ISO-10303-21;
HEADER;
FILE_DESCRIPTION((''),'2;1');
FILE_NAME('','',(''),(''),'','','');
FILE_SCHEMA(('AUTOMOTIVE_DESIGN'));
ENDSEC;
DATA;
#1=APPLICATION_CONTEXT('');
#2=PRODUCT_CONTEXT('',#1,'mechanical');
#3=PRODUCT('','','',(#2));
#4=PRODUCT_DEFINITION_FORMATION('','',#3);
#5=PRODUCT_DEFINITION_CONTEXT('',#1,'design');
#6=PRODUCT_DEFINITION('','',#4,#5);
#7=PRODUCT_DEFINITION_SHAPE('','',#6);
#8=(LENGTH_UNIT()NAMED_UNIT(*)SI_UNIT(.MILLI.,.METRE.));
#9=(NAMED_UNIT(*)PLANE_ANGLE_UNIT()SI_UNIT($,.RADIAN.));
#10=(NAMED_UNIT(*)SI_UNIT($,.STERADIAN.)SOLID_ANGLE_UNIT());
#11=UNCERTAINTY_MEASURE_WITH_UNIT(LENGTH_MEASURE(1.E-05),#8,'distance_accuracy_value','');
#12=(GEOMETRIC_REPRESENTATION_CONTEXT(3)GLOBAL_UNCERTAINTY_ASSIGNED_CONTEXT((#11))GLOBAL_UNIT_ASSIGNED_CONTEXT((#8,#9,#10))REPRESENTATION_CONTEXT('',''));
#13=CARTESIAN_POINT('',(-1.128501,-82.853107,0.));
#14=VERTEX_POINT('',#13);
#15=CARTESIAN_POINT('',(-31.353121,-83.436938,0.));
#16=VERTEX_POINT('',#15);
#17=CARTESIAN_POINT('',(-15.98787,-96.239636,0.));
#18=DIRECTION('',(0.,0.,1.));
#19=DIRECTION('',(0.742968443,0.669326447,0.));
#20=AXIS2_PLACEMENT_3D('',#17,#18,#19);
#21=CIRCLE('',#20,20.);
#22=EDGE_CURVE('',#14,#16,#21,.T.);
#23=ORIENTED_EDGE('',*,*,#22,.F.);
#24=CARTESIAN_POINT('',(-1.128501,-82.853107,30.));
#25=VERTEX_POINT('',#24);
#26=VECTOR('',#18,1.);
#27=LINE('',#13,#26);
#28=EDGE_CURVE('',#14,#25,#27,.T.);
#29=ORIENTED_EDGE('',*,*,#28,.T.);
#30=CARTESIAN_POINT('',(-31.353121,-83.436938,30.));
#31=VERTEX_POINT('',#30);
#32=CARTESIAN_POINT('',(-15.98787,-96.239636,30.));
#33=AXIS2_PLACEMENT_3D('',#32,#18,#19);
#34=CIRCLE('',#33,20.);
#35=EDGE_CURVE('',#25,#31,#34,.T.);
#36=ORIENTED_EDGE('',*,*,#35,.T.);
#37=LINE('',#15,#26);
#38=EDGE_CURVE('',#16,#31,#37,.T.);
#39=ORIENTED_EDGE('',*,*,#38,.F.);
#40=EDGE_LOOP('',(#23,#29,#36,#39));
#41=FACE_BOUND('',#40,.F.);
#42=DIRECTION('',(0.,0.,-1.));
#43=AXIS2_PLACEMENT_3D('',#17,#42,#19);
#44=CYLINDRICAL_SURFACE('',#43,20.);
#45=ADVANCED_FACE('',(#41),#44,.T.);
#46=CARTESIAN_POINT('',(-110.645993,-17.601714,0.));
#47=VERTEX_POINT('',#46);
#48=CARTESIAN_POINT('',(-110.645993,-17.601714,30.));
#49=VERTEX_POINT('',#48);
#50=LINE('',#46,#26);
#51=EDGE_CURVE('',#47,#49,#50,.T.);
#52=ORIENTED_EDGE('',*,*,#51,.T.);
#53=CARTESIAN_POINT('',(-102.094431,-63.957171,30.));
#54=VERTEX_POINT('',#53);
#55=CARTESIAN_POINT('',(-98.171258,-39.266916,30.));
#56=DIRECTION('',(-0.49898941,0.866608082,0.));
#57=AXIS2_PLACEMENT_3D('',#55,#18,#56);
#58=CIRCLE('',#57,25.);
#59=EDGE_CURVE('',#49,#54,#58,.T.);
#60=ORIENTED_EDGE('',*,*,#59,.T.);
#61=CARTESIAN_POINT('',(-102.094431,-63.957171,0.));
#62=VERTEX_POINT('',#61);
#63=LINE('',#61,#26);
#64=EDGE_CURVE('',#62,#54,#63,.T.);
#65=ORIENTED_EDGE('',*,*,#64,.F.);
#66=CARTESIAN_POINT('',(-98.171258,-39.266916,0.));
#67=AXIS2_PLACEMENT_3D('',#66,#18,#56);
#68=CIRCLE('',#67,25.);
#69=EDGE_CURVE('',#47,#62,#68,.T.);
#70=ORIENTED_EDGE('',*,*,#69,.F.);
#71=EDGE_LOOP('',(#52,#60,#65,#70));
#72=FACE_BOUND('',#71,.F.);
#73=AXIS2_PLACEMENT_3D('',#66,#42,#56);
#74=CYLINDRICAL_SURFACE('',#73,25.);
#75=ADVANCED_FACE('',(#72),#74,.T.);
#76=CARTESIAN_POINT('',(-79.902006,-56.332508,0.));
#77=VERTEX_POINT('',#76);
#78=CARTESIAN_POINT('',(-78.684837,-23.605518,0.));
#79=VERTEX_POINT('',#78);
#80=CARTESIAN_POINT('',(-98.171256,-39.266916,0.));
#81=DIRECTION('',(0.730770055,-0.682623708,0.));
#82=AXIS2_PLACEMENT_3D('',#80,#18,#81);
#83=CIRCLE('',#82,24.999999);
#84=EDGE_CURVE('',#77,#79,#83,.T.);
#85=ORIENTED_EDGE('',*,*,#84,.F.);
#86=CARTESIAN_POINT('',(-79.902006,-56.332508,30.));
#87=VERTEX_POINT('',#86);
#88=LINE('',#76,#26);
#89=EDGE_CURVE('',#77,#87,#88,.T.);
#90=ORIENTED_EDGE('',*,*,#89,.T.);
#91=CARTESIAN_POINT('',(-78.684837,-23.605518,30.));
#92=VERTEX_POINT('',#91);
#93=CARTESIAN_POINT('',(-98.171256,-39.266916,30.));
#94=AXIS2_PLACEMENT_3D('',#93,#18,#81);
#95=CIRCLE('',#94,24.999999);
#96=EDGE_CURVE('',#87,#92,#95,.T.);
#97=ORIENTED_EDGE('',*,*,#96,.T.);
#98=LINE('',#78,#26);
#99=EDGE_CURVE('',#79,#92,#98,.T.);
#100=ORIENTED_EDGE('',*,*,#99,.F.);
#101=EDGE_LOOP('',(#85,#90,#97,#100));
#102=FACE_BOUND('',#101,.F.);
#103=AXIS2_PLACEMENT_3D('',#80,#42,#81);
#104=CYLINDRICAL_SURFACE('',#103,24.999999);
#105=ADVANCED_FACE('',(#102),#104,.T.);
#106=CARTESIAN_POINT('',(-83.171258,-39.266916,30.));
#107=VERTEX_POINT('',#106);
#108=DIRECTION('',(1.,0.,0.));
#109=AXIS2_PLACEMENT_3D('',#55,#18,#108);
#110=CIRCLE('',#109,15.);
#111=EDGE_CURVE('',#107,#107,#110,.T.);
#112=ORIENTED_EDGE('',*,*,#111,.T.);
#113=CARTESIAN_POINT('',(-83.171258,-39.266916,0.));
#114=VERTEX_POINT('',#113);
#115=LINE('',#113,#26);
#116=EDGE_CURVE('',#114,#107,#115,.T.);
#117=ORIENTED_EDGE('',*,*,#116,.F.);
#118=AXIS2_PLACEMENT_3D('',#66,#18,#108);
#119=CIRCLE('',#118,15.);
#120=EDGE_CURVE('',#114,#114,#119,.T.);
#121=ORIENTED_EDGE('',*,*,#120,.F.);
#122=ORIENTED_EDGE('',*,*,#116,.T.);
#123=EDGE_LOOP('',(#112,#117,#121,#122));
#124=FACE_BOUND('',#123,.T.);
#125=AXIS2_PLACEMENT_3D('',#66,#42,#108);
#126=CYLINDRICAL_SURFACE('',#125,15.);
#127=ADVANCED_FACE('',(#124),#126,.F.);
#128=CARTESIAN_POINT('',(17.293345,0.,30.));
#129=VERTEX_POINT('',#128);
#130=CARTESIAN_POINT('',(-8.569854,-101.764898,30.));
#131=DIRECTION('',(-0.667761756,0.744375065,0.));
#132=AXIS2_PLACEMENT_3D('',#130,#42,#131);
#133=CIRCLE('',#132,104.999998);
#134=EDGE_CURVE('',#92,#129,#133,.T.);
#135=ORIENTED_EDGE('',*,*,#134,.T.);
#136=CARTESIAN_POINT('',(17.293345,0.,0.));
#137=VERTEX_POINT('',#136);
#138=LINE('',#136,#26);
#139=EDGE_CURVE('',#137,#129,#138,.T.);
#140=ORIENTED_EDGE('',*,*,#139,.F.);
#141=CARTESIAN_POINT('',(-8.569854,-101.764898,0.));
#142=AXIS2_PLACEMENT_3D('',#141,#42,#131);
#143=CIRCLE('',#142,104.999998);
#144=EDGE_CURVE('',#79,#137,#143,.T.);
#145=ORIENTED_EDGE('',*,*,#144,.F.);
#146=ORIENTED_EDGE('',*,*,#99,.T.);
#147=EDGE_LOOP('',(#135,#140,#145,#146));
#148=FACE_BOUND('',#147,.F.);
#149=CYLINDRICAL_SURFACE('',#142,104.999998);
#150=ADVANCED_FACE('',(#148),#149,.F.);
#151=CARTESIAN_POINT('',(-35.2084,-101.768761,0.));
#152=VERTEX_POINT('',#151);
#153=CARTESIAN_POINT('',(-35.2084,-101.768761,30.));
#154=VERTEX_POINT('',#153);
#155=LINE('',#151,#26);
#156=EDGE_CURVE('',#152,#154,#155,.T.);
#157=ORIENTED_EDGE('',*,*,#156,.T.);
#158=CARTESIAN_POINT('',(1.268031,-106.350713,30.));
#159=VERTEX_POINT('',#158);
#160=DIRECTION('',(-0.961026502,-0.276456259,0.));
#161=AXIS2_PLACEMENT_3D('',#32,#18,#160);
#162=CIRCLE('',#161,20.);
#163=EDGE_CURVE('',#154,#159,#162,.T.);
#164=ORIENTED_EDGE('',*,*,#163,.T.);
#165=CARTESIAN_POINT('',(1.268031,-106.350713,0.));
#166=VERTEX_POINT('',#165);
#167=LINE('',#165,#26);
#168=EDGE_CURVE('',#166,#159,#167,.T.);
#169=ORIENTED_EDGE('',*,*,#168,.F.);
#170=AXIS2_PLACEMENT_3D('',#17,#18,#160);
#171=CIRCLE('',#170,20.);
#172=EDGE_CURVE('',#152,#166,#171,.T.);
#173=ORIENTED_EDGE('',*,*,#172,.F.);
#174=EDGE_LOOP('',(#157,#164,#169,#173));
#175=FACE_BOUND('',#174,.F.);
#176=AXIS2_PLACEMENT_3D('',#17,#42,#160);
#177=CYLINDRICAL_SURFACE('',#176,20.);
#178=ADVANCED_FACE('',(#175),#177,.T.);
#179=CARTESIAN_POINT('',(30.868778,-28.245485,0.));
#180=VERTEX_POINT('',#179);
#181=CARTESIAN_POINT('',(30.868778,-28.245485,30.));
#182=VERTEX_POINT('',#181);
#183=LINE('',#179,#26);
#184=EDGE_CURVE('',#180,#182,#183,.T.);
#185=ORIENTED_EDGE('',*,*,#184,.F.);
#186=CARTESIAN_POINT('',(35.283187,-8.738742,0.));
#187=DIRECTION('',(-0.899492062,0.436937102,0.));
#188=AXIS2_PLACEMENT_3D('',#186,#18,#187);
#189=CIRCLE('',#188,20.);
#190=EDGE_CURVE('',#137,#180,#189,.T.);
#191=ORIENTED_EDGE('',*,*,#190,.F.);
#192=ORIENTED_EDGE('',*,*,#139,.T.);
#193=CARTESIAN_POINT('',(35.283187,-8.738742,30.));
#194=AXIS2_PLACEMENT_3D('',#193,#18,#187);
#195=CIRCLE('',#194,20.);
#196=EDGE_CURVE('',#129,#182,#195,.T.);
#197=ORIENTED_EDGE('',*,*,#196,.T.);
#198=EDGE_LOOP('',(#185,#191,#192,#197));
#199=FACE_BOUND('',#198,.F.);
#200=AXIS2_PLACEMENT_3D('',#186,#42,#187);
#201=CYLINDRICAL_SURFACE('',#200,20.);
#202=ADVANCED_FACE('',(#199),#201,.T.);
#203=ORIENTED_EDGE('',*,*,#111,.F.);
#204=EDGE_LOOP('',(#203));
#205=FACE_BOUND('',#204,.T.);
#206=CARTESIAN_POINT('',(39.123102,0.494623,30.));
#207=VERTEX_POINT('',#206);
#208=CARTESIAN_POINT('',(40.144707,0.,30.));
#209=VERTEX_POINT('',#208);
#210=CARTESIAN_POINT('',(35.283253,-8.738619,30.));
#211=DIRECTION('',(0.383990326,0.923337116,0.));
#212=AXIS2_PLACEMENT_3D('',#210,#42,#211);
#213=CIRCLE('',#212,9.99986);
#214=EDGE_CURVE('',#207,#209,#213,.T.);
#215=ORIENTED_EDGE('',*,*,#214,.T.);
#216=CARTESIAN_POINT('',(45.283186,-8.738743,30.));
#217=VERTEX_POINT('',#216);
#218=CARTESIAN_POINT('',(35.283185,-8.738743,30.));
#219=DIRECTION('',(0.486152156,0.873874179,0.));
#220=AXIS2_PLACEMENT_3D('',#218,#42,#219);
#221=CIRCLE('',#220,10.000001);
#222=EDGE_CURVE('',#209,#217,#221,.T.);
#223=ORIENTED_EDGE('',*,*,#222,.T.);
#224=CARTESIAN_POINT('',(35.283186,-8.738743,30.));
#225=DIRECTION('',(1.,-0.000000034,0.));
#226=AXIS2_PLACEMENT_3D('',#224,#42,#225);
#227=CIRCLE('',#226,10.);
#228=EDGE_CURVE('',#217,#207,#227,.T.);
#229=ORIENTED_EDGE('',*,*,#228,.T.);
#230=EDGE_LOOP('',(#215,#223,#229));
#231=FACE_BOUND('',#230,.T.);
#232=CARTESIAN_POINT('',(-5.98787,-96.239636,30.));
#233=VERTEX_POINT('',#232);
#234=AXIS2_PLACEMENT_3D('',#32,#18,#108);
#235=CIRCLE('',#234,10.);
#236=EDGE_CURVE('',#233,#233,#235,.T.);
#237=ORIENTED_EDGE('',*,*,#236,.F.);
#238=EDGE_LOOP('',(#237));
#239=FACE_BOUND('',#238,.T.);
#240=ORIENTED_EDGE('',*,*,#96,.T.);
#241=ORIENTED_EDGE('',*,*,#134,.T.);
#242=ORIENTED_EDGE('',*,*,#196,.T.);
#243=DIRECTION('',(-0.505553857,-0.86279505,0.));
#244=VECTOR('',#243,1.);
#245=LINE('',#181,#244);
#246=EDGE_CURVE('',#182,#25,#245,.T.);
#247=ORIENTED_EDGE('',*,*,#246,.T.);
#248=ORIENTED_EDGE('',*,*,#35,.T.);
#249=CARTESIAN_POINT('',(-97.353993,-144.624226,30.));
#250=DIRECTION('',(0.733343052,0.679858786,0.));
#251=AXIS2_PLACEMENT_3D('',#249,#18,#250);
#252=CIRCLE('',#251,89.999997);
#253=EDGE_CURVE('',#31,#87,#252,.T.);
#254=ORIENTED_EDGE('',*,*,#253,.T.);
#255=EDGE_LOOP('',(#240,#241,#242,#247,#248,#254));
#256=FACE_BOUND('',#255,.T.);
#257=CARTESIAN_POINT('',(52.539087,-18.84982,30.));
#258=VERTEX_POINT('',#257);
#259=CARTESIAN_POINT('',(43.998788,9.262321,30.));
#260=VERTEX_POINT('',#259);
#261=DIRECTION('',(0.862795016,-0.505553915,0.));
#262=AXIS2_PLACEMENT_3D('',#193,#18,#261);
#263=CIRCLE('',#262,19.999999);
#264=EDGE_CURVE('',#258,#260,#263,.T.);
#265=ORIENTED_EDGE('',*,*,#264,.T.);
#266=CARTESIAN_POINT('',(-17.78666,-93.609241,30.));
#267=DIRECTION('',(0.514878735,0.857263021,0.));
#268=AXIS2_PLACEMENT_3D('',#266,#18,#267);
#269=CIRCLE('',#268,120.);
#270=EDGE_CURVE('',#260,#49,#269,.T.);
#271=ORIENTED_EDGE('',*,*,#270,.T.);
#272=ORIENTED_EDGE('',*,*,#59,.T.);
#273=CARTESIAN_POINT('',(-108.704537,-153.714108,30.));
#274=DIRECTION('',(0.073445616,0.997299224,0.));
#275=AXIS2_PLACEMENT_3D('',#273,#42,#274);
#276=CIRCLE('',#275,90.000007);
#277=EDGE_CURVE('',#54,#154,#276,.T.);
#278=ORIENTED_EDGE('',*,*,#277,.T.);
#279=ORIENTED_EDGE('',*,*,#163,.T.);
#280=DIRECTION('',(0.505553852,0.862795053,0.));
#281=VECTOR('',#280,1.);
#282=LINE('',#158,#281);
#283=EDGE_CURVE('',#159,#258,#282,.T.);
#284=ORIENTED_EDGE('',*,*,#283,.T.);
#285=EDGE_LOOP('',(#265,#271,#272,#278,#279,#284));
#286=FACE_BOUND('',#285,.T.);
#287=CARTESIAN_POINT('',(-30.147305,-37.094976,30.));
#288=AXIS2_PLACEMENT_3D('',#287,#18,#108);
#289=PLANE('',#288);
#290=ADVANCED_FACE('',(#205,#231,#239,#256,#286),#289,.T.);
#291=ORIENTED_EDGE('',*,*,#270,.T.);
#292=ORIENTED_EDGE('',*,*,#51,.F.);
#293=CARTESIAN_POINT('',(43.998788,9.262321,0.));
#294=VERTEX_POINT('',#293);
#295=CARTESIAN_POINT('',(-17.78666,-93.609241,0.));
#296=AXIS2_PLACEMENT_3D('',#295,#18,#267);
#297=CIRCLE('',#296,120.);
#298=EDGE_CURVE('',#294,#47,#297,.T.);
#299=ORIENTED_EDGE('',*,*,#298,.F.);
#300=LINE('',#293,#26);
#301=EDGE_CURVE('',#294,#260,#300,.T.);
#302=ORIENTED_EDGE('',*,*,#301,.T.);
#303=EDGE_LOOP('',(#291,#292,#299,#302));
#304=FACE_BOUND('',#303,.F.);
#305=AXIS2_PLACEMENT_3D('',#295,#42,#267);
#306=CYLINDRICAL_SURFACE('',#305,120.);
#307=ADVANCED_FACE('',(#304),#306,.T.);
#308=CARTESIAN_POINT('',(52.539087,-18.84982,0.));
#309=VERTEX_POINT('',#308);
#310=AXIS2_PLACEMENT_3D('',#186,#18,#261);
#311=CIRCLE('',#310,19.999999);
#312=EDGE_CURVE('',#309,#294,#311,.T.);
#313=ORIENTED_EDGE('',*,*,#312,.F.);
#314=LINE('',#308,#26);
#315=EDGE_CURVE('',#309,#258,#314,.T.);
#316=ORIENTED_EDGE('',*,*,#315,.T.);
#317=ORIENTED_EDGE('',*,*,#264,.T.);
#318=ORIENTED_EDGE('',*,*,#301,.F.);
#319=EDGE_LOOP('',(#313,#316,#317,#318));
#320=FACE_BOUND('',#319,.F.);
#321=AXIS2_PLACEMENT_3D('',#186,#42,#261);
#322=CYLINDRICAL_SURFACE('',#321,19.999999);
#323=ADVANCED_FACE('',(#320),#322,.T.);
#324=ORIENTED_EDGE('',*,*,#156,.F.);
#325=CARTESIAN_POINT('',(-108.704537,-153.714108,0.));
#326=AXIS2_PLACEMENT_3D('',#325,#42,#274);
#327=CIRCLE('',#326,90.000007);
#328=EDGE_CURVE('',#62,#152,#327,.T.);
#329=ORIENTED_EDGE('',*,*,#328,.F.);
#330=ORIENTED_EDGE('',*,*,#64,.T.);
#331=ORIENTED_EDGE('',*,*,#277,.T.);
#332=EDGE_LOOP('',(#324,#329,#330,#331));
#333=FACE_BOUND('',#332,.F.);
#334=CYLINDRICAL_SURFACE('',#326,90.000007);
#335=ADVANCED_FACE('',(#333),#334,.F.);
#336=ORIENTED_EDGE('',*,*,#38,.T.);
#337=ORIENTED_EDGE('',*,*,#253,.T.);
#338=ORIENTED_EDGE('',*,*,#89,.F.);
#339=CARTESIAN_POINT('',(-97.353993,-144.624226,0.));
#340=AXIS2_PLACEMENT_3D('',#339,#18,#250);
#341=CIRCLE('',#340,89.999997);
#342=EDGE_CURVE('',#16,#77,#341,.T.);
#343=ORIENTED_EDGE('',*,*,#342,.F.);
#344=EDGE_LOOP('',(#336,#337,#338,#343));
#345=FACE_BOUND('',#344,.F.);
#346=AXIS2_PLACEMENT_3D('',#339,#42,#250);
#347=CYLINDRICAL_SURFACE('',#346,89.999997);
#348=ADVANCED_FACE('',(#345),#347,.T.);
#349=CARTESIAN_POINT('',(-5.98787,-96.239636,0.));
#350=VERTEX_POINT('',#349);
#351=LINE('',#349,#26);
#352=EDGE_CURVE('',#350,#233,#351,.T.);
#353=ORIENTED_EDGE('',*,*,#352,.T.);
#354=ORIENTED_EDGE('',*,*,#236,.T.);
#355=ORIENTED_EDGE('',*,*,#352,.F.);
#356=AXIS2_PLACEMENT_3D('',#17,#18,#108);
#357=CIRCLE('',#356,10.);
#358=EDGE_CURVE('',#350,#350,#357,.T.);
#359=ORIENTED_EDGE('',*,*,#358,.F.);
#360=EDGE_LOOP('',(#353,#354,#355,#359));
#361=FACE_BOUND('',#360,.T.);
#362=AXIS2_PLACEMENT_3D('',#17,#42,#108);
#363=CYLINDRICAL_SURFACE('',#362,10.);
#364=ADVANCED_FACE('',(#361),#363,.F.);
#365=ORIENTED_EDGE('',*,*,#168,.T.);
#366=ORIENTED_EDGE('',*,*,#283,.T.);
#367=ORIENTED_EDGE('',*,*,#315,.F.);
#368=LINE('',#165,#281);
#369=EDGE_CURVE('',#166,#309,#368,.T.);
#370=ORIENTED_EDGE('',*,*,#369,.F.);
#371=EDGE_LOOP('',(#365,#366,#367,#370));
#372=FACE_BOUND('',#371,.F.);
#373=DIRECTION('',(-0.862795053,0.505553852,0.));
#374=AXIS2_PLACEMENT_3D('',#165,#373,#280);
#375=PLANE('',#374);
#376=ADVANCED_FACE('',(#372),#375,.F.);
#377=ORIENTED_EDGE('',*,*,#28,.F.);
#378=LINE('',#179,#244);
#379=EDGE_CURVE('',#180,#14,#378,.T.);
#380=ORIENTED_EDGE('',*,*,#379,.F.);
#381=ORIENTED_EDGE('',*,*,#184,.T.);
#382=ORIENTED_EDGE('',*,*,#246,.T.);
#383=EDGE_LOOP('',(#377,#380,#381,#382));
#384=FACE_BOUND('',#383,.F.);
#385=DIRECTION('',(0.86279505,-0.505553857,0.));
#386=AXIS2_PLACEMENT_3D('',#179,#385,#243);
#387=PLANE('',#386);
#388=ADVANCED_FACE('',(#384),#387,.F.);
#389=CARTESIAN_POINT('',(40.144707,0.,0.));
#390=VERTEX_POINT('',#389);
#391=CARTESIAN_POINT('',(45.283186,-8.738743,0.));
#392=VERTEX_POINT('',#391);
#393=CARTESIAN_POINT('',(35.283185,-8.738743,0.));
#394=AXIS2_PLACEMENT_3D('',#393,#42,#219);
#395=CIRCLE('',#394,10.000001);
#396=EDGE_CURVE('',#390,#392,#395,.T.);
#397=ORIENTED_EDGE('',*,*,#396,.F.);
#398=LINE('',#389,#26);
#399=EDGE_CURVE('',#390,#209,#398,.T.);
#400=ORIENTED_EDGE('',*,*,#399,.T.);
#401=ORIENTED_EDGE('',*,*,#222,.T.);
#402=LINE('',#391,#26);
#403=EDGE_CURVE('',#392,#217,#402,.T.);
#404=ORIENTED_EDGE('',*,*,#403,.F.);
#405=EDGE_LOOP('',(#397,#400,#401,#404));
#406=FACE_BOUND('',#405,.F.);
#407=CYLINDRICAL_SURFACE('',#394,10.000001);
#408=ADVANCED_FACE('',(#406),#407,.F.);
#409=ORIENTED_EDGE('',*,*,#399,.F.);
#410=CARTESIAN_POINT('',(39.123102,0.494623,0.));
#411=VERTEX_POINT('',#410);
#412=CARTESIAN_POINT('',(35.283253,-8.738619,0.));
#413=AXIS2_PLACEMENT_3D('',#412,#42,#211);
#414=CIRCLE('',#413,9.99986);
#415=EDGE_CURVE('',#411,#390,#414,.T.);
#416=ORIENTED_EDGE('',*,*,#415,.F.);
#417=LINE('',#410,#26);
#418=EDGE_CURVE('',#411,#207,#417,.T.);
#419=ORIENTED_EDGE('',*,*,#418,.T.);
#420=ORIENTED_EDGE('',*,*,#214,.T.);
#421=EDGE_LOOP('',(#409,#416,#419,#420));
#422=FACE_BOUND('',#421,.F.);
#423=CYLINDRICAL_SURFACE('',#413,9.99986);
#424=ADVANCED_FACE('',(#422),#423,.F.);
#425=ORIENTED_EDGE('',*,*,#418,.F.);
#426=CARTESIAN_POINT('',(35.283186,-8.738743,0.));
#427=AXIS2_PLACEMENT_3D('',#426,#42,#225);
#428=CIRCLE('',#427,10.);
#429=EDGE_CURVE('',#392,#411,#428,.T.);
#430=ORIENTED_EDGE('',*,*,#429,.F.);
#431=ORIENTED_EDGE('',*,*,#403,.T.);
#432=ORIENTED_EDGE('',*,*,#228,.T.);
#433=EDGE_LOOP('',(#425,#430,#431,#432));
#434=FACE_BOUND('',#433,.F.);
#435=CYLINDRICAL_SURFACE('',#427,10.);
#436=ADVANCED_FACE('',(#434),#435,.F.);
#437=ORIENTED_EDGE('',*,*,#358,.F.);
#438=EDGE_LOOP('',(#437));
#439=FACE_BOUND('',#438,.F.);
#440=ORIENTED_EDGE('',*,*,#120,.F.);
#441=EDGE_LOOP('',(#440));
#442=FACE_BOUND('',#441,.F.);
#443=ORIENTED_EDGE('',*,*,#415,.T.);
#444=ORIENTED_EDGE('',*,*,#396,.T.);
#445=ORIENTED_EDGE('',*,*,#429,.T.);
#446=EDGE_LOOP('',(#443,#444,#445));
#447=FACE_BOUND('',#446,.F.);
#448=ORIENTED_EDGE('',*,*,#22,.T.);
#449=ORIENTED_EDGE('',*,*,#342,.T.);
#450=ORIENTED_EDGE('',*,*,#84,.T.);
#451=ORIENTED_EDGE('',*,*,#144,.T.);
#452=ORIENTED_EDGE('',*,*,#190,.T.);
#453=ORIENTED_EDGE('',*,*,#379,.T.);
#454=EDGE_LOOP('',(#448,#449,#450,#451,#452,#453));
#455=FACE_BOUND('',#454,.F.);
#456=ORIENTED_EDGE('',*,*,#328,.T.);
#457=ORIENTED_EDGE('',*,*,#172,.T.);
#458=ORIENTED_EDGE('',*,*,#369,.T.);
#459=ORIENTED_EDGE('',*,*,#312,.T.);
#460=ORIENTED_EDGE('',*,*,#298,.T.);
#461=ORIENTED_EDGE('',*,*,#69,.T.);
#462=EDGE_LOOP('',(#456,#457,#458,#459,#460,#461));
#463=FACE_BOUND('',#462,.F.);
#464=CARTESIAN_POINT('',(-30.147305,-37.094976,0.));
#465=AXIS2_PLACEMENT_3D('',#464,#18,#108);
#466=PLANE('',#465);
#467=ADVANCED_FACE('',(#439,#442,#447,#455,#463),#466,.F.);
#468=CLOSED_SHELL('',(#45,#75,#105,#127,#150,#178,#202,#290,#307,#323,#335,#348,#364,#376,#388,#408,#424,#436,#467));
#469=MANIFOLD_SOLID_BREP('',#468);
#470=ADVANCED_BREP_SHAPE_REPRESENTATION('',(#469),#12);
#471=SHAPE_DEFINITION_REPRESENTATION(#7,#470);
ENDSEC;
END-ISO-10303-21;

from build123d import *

# Parameters (mm, degrees)
F0_R     = 10
F0_R_2   = 15
F1_DEPTH = 30


with BuildPart() as f1:
    # F0 (on Top) → F1 (new body)
    with BuildSketch(Plane.XY):
        with BuildLine():
            ThreePointArc((-102.094431, -63.957171), (-64.413662, -75.366679), (-35.2084, -101.768761))
            ThreePointArc((-35.2084, -101.768761), (-18.480562, -116.08369), (1.268031, -106.350713))
            Line((1.268031, -106.350713), (52.539087, -18.84982))
            ThreePointArc((52.539087, -18.84982), (54.419614, -2.925211), (43.998788, 9.262321))
            ThreePointArc((43.998788, 9.262321), (-38.324812, 24.62013), (-110.645993, -17.601714))
            ThreePointArc((-110.645993, -17.601714), (-122.756415, -43.802336), (-102.094431, -63.957171))
        make_face()
        with Locations((-15.98787, -96.239636)):
            Circle(F0_R, mode=Mode.SUBTRACT)
        with Locations((-98.171258, -39.266916)):
            Circle(F0_R_2, mode=Mode.SUBTRACT)
        with BuildLine():
            ThreePointArc((-78.684837, -23.605518), (-33.646939, 0.196562), (17.293345, 0))
            ThreePointArc((17.293345, 0), (17.257109, -17.402491), (30.868778, -28.245485))
            Line((30.868778, -28.245485), (-1.128501, -82.853107))
            ThreePointArc((-1.128501, -82.853107), (-16.374126, -76.243366), (-31.353121, -83.436938))
            ThreePointArc((-31.353121, -83.436938), (-53.481935, -66.041519), (-79.902006, -56.332508))
            ThreePointArc((-79.902006, -56.332508), (-73.18853, -40.196064), (-78.684837, -23.605518))
        make_face(mode=Mode.SUBTRACT)
        with BuildLine():
            ThreePointArc((40.144707, 0), (43.903372, -3.669976), (45.283186, -8.738743))
            ThreePointArc((45.283186, -8.738743), (26.964558, -14.288555), (39.123102, 0.494623))
            ThreePointArc((39.123102, 0.494623), (39.640928, 0.261818), (40.144707, 0))
        make_face(mode=Mode.SUBTRACT)
    extrude(amount=F1_DEPTH)


solid = f1.part
